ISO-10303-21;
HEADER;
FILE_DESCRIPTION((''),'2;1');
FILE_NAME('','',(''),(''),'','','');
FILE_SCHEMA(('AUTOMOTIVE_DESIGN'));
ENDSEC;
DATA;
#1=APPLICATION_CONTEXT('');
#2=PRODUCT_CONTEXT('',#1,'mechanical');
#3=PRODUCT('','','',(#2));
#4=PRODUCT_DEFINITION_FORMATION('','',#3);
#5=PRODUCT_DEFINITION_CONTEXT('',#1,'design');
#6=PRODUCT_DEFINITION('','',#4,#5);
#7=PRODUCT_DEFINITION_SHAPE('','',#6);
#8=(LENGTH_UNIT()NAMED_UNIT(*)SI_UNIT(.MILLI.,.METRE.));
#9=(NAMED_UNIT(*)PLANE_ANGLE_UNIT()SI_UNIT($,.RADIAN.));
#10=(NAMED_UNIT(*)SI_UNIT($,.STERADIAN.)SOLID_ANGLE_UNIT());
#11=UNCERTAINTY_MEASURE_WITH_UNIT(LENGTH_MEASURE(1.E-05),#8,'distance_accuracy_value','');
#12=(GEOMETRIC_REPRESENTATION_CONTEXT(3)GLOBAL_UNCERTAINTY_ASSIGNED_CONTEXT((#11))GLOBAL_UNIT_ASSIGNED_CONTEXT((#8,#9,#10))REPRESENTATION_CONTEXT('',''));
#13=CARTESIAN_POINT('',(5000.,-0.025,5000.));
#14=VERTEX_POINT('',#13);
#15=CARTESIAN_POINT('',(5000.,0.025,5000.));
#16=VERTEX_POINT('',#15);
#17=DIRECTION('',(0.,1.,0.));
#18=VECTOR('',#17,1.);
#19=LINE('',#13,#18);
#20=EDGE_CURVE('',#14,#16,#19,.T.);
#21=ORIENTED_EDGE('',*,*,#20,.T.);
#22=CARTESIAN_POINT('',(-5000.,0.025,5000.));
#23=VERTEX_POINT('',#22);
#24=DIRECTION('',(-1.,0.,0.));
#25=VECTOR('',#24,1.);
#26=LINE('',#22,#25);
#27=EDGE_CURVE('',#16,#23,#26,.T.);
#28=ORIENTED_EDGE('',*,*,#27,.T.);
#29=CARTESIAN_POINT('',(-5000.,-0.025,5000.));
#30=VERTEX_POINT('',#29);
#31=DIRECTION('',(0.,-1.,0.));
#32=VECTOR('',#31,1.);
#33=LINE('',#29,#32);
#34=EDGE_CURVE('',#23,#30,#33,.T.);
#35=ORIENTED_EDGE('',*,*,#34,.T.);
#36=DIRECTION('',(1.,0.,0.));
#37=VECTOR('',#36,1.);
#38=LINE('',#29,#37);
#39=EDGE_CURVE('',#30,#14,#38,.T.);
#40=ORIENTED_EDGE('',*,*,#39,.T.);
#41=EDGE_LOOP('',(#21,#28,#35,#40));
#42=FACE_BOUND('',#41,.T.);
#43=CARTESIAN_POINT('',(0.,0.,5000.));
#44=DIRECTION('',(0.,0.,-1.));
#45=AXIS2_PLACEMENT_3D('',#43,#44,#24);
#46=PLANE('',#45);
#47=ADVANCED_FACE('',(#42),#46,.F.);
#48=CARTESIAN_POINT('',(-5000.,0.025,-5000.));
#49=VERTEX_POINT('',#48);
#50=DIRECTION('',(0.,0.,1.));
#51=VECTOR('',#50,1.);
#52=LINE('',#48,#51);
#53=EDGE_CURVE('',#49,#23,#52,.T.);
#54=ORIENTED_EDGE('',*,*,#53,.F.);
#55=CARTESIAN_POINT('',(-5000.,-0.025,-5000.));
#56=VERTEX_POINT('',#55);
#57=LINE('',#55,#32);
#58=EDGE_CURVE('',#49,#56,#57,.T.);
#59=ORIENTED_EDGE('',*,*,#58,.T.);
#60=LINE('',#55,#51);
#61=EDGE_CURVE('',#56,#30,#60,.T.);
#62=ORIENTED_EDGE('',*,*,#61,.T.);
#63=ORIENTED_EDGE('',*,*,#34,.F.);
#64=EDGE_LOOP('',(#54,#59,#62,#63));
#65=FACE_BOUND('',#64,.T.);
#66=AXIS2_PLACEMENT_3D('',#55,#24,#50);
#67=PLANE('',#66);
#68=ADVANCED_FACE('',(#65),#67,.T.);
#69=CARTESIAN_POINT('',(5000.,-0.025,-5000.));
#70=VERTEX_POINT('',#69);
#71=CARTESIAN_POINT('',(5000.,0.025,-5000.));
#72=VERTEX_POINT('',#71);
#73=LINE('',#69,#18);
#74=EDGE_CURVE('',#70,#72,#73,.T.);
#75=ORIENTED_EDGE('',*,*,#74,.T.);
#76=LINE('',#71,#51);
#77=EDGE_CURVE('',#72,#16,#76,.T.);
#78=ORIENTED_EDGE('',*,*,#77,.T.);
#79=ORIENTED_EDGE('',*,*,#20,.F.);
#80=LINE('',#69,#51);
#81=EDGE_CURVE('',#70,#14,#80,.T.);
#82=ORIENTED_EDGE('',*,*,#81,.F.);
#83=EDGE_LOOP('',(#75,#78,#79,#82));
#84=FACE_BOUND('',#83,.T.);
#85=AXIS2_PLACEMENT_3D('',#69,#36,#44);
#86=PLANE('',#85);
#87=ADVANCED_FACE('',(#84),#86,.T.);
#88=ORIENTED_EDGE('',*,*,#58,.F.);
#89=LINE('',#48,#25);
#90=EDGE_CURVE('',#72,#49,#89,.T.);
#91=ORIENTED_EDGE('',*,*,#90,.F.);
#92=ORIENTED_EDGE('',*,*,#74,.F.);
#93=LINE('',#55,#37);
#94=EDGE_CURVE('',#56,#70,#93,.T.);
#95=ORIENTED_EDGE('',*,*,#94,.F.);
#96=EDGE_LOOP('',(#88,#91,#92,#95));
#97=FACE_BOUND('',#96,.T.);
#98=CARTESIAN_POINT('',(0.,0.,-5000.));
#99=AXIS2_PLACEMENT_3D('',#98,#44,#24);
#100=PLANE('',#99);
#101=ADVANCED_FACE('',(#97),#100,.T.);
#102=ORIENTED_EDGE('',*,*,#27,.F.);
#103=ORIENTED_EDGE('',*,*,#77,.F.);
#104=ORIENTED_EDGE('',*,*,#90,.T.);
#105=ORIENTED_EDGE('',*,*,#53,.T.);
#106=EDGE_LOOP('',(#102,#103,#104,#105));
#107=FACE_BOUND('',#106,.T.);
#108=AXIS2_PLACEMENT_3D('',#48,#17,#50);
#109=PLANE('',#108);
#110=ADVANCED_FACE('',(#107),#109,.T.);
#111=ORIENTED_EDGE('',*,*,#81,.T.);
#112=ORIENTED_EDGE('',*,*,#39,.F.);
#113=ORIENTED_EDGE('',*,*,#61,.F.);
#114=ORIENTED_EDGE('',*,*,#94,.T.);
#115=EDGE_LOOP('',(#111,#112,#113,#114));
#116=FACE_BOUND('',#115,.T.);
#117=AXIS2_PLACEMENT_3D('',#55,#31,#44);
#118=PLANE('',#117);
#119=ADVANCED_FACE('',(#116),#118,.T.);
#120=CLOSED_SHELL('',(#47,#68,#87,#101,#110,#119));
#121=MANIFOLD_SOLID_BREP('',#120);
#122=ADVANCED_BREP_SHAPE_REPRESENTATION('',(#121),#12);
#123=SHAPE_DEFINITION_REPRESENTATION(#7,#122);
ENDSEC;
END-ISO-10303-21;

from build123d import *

# Parameters (mm, degrees)
BOSS_EXTRU_2_DEPTH      = 5000
BOSS_EXTRU_2_DEPTH_BACK = 5000
ESQUISSE1_W             = 10000
ESQUISSE1_H             = 0.05


with BuildPart() as part:
    # Esquisse1 → Boss.-Extru.2 (new, two sides: drawn at the far end of the back side and taken through both)
    with BuildSketch(Plane.XY.offset(-BOSS_EXTRU_2_DEPTH_BACK)):
        Rectangle(ESQUISSE1_W, ESQUISSE1_H)
    extrude(amount=BOSS_EXTRU_2_DEPTH + BOSS_EXTRU_2_DEPTH_BACK)


solid = part.part
